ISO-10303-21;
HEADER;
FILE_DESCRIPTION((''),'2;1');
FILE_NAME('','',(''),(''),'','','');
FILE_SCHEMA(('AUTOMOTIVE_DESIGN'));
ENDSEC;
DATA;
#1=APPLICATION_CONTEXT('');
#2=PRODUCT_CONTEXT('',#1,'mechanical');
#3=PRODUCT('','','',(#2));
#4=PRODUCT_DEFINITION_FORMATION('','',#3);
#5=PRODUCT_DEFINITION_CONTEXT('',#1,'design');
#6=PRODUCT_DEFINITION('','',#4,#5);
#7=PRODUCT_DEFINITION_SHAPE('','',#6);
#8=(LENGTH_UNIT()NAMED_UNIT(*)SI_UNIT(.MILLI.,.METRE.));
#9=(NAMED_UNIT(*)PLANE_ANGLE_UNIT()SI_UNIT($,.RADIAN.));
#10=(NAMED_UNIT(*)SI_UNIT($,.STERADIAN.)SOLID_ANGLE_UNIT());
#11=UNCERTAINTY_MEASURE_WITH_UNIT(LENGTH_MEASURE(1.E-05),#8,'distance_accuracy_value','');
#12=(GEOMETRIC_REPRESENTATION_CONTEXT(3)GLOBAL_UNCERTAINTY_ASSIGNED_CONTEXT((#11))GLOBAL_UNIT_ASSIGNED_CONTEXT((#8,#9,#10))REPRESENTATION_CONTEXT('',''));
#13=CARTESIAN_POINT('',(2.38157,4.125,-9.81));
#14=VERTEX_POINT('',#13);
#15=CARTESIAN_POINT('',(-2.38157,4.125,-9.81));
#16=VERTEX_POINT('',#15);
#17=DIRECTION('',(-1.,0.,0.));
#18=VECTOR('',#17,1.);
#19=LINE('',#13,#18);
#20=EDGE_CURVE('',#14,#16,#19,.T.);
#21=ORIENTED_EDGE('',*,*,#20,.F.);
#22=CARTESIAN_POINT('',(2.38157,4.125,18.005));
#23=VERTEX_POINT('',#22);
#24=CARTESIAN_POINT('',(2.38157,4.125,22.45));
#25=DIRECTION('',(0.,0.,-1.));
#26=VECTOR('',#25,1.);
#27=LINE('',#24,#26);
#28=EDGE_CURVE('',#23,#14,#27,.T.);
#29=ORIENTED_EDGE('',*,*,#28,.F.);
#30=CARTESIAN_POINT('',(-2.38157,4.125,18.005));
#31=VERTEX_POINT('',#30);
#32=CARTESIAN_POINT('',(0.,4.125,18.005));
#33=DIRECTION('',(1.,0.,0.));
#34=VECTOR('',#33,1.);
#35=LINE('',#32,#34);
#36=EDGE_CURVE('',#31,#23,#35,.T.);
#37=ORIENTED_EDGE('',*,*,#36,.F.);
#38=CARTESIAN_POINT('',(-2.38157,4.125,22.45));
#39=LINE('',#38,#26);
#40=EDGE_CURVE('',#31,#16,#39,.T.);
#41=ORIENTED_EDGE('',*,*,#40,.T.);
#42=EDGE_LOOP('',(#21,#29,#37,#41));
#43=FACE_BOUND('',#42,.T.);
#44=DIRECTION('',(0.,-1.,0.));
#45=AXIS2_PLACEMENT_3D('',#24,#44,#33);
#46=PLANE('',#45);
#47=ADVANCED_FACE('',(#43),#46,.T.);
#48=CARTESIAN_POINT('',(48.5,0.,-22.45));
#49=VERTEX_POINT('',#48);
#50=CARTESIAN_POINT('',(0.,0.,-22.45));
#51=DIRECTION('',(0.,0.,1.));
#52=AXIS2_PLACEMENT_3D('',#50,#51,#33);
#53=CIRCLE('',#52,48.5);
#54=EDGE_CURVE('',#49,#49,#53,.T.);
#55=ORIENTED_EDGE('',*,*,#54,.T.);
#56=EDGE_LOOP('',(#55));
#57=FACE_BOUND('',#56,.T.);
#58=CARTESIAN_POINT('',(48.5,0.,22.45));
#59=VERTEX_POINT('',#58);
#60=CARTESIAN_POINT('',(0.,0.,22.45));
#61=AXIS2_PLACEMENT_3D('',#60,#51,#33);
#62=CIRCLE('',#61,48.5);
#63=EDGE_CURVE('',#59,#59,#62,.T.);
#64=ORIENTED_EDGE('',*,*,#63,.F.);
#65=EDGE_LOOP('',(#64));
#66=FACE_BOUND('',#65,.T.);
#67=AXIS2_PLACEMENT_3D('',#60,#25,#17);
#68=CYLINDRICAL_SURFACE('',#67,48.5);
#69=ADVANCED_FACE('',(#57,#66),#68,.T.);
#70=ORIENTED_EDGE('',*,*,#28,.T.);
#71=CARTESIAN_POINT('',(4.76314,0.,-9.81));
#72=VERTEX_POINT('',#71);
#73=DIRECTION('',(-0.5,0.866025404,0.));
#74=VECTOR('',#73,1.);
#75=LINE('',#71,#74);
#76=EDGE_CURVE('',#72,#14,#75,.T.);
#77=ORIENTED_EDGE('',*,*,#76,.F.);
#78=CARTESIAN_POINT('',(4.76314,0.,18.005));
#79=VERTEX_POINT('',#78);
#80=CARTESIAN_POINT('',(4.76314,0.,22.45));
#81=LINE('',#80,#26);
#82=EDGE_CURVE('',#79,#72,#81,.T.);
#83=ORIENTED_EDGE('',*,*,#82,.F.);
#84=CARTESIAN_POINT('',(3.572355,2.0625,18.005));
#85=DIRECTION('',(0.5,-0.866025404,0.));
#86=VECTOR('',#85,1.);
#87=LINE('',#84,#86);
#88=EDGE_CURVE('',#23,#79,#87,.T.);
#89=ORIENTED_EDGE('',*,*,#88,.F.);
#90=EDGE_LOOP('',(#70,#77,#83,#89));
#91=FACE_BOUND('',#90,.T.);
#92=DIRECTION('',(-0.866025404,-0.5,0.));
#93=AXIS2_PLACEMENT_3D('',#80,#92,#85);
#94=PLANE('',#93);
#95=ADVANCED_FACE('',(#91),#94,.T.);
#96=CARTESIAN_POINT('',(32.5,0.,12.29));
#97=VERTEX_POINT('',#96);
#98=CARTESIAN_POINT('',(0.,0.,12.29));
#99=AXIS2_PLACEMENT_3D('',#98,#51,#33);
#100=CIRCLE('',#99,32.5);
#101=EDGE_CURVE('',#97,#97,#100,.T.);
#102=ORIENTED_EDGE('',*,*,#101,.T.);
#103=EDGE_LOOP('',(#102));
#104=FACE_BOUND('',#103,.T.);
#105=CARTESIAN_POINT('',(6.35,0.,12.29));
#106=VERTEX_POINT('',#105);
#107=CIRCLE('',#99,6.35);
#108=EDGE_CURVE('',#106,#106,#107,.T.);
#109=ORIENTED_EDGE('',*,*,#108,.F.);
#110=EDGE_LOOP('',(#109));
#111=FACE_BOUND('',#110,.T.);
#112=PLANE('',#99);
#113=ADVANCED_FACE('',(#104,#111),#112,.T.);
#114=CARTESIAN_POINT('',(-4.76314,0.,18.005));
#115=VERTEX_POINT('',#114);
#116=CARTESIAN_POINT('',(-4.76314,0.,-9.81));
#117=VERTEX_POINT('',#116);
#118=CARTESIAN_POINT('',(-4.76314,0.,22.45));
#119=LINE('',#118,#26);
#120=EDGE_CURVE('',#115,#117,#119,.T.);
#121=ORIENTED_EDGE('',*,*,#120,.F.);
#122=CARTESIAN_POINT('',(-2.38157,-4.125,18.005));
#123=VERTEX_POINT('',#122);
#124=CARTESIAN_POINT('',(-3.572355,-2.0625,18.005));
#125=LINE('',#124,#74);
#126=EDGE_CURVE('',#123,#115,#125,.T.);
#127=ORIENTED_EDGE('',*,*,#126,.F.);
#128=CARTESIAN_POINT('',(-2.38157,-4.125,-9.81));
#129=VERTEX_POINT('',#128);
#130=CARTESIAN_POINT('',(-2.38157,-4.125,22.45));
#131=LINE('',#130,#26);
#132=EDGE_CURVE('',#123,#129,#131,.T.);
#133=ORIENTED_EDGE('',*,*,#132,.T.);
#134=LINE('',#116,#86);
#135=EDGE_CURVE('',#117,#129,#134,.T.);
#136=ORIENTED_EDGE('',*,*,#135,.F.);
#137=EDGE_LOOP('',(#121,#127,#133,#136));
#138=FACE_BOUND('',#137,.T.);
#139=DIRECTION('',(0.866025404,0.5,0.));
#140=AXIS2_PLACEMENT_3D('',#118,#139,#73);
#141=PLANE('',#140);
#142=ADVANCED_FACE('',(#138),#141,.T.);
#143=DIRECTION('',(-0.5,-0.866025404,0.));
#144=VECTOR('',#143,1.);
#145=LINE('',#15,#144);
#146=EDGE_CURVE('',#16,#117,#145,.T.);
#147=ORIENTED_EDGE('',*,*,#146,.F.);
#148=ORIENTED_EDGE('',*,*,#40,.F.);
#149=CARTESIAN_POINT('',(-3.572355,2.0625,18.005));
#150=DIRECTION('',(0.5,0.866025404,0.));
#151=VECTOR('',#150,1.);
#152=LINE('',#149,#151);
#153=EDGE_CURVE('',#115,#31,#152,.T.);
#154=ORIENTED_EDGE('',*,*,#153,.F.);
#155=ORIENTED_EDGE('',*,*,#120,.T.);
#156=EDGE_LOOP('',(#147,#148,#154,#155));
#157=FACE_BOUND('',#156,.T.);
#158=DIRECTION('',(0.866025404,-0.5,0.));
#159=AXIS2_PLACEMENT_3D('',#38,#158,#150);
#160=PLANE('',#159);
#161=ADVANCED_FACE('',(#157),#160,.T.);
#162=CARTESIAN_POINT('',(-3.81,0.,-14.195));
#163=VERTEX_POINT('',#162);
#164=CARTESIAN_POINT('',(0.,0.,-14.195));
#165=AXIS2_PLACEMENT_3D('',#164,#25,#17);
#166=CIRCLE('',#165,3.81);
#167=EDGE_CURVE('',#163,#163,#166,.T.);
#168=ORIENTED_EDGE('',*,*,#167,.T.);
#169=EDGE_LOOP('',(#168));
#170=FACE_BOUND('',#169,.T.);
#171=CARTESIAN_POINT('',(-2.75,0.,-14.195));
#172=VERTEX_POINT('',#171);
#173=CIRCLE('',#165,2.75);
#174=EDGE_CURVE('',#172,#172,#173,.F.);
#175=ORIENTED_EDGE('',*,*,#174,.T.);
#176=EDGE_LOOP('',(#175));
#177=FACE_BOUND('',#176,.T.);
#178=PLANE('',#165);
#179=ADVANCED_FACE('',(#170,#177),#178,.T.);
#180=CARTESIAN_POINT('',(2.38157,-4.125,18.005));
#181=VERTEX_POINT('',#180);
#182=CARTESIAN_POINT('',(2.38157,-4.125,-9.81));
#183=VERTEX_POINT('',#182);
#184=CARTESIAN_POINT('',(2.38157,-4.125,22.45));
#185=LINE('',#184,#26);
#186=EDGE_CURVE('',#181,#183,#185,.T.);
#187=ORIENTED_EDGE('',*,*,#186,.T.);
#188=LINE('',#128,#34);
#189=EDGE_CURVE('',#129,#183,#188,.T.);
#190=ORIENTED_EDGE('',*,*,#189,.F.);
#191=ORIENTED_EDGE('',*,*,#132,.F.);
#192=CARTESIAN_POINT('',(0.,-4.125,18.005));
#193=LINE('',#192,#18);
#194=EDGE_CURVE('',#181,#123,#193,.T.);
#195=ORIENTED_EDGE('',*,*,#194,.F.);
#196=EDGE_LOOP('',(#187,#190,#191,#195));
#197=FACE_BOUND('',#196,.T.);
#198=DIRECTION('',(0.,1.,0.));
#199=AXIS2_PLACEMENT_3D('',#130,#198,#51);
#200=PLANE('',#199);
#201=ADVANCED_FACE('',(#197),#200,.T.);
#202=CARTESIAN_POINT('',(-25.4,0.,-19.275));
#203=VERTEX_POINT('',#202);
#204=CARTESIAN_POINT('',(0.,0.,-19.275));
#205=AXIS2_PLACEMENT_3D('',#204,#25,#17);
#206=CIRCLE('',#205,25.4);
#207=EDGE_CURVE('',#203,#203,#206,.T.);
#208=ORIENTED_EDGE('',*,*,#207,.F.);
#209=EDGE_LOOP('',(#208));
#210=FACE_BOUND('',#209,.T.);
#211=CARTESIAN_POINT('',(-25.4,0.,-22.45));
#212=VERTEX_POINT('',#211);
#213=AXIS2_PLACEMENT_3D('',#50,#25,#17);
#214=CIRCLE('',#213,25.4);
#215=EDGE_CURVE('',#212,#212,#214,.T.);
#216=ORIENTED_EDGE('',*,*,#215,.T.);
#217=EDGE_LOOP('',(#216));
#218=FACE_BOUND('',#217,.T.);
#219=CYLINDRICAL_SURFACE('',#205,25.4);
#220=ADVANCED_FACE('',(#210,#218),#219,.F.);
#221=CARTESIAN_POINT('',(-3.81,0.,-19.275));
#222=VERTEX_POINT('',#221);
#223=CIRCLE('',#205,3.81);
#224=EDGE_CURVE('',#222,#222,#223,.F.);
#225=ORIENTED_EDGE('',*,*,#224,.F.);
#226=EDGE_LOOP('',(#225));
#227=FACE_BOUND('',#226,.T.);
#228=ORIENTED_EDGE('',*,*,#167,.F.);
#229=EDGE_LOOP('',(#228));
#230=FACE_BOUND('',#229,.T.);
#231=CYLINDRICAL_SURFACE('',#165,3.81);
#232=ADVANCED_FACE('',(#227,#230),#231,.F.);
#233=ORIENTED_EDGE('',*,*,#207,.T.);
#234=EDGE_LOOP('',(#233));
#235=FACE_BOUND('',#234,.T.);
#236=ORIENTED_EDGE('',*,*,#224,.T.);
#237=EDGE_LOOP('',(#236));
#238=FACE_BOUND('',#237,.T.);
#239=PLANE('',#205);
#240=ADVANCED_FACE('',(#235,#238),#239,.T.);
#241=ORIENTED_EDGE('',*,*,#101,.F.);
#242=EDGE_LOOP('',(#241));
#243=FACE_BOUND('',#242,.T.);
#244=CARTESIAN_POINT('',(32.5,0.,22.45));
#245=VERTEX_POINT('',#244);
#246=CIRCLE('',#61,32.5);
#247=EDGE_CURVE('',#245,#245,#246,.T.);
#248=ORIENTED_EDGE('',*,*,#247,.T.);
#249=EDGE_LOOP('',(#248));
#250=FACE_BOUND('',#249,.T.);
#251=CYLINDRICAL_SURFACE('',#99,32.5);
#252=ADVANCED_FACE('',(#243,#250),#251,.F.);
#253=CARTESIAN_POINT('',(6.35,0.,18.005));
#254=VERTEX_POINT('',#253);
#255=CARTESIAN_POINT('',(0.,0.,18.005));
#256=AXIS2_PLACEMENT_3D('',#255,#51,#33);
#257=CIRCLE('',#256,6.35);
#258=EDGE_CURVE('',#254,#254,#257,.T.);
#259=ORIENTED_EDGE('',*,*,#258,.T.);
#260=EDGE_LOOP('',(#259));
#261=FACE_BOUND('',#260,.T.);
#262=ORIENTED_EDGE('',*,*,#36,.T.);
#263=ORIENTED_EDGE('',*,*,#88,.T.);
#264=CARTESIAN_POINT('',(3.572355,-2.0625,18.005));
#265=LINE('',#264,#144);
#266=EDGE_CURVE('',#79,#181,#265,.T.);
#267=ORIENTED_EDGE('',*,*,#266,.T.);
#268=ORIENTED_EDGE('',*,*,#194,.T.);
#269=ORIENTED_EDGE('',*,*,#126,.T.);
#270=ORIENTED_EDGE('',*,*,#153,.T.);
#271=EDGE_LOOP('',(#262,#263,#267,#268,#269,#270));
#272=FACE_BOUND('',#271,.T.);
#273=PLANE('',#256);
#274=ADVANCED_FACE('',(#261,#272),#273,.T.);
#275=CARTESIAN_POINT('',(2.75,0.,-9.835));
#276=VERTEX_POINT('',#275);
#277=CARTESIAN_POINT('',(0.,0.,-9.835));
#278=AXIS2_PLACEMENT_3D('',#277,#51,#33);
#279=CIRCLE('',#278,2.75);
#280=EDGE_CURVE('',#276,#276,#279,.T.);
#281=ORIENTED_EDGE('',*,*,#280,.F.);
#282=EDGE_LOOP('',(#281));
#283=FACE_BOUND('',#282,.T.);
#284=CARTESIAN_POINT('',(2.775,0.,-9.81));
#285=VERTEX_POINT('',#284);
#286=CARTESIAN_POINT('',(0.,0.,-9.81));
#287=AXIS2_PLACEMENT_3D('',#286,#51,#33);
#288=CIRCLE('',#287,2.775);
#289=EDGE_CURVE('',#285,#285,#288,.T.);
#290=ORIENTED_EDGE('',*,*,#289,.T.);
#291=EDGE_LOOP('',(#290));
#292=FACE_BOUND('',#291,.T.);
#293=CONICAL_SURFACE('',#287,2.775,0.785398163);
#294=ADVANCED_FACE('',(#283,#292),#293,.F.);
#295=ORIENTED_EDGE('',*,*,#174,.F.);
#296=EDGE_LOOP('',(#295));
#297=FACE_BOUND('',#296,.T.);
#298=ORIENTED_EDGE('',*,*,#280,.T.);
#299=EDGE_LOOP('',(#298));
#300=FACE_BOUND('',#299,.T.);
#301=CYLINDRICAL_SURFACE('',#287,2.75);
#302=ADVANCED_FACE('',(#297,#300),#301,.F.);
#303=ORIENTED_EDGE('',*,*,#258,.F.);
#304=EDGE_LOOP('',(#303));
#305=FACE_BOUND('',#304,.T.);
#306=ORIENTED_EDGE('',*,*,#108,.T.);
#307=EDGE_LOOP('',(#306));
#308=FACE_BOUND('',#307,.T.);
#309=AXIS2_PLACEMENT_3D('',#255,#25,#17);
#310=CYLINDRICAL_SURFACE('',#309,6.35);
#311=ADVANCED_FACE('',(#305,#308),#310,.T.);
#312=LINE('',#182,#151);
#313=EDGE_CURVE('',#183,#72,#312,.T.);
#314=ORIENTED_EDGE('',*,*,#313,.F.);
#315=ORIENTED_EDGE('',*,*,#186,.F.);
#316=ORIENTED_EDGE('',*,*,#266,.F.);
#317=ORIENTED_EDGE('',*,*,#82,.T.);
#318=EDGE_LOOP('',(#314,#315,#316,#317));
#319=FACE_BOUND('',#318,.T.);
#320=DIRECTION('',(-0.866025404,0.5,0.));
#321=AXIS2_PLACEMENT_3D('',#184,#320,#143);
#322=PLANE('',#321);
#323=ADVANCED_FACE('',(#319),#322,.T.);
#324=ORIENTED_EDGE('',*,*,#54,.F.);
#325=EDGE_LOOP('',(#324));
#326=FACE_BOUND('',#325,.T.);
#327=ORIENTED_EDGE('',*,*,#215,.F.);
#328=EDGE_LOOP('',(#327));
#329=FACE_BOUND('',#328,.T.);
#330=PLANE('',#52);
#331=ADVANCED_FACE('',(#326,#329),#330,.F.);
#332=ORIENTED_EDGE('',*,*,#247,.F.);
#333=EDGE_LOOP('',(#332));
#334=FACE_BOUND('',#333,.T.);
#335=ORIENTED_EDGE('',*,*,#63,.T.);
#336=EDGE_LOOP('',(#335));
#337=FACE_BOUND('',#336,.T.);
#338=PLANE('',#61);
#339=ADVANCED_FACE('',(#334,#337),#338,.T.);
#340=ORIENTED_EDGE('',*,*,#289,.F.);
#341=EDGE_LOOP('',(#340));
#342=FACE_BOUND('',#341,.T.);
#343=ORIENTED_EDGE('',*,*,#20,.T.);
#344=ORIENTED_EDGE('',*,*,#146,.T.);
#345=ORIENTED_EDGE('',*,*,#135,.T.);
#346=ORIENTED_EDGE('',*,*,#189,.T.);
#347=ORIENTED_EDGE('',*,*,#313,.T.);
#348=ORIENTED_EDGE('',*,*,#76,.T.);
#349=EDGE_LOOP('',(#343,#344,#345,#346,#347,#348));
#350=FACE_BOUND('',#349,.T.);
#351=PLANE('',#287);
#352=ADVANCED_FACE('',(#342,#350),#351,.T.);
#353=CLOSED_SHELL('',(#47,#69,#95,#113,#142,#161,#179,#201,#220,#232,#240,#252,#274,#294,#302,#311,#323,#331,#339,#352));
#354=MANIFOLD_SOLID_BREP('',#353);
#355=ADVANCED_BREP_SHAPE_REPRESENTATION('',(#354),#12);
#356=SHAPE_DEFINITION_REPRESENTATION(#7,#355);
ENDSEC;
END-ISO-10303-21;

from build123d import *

# Parameters (mm, degrees)
SKETCH2_R                      = 48.5
BOSS_EXTRUDE1_DEPTH            = 22.45
SKETCH3_R                      = 32.5
CUT_EXTRUDE1_DEPTH             = 10.16
SKETCH9_R                      = 6.35
BOSS_EXTRUDE2_DEPTH            = 5.715
CUT_EXTRUDE2_DEPTH             = 77.885418644
CUT_EXTRUDE2_DEPTH_BACK        = 22.1
M5_CLEARANCE_HOLE1_D           = 5.5
M5_CLEARANCE_HOLE1_CSINK_D     = 5.55
M5_CLEARANCE_HOLE1_CSINK_ANGLE = 90
SKETCH8_R                      = 3.81
CUT_EXTRUDE3_DEPTH             = 8.255
SKETCH10_R                     = 25.4
CUT_EXTRUDE4_DEPTH             = 3.175


with BuildPart() as part:
    # Sketch2 → Boss-Extrude1 (new, symmetric)
    with BuildSketch(Plane.XY):
        Circle(SKETCH2_R)
    extrude(amount=BOSS_EXTRUDE1_DEPTH, both=True)

    # Sketch3 → Cut-Extrude1 (cut)
    with BuildSketch(Plane.XY.offset(22.45)):
        Circle(SKETCH3_R)
    extrude(amount=-CUT_EXTRUDE1_DEPTH, mode=Mode.SUBTRACT)

    # Sketch9 → Boss-Extrude2 (add)
    with BuildSketch(Plane.XY.offset(12.29)):
        Circle(SKETCH9_R)
    extrude(amount=BOSS_EXTRUDE2_DEPTH)

    # Sketch4 → Cut-Extrude2 (cut, two sides: drawn at the far end of the back side and taken through both)
    with BuildSketch(Plane.XY.offset(12.29).offset(-CUT_EXTRUDE2_DEPTH_BACK)):
        Polygon((2.38156986, 4.125), (-2.38156986, 4.125), (-4.763139721, 0), (-2.38156986, -4.125), (2.38156986, -4.125), (4.763139721, 0), align=None)
    extrude(amount=CUT_EXTRUDE2_DEPTH + CUT_EXTRUDE2_DEPTH_BACK, mode=Mode.SUBTRACT)

    # M5 Clearance Hole1 (through all)
    with Locations(Plane.XY.offset(-9.81)):
        with Locations((0, 0)):
            CounterSinkHole(M5_CLEARANCE_HOLE1_D / 2, M5_CLEARANCE_HOLE1_CSINK_D / 2, counter_sink_angle=M5_CLEARANCE_HOLE1_CSINK_ANGLE)

    # Sketch8 → Cut-Extrude3 (cut)
    with BuildSketch(Plane(origin=(0, 0, -22.45), x_dir=(-1, 0, 0), z_dir=(0, 0, -1))):
        Circle(SKETCH8_R)
    extrude(amount=-CUT_EXTRUDE3_DEPTH, mode=Mode.SUBTRACT)

    # Sketch10 → Cut-Extrude4 (cut)
    with BuildSketch(Plane(origin=(0, 0, -22.45), x_dir=(-1, 0, 0), z_dir=(0, 0, -1))):
        Circle(SKETCH10_R)
    extrude(amount=-CUT_EXTRUDE4_DEPTH, mode=Mode.SUBTRACT)


solid = part.part
